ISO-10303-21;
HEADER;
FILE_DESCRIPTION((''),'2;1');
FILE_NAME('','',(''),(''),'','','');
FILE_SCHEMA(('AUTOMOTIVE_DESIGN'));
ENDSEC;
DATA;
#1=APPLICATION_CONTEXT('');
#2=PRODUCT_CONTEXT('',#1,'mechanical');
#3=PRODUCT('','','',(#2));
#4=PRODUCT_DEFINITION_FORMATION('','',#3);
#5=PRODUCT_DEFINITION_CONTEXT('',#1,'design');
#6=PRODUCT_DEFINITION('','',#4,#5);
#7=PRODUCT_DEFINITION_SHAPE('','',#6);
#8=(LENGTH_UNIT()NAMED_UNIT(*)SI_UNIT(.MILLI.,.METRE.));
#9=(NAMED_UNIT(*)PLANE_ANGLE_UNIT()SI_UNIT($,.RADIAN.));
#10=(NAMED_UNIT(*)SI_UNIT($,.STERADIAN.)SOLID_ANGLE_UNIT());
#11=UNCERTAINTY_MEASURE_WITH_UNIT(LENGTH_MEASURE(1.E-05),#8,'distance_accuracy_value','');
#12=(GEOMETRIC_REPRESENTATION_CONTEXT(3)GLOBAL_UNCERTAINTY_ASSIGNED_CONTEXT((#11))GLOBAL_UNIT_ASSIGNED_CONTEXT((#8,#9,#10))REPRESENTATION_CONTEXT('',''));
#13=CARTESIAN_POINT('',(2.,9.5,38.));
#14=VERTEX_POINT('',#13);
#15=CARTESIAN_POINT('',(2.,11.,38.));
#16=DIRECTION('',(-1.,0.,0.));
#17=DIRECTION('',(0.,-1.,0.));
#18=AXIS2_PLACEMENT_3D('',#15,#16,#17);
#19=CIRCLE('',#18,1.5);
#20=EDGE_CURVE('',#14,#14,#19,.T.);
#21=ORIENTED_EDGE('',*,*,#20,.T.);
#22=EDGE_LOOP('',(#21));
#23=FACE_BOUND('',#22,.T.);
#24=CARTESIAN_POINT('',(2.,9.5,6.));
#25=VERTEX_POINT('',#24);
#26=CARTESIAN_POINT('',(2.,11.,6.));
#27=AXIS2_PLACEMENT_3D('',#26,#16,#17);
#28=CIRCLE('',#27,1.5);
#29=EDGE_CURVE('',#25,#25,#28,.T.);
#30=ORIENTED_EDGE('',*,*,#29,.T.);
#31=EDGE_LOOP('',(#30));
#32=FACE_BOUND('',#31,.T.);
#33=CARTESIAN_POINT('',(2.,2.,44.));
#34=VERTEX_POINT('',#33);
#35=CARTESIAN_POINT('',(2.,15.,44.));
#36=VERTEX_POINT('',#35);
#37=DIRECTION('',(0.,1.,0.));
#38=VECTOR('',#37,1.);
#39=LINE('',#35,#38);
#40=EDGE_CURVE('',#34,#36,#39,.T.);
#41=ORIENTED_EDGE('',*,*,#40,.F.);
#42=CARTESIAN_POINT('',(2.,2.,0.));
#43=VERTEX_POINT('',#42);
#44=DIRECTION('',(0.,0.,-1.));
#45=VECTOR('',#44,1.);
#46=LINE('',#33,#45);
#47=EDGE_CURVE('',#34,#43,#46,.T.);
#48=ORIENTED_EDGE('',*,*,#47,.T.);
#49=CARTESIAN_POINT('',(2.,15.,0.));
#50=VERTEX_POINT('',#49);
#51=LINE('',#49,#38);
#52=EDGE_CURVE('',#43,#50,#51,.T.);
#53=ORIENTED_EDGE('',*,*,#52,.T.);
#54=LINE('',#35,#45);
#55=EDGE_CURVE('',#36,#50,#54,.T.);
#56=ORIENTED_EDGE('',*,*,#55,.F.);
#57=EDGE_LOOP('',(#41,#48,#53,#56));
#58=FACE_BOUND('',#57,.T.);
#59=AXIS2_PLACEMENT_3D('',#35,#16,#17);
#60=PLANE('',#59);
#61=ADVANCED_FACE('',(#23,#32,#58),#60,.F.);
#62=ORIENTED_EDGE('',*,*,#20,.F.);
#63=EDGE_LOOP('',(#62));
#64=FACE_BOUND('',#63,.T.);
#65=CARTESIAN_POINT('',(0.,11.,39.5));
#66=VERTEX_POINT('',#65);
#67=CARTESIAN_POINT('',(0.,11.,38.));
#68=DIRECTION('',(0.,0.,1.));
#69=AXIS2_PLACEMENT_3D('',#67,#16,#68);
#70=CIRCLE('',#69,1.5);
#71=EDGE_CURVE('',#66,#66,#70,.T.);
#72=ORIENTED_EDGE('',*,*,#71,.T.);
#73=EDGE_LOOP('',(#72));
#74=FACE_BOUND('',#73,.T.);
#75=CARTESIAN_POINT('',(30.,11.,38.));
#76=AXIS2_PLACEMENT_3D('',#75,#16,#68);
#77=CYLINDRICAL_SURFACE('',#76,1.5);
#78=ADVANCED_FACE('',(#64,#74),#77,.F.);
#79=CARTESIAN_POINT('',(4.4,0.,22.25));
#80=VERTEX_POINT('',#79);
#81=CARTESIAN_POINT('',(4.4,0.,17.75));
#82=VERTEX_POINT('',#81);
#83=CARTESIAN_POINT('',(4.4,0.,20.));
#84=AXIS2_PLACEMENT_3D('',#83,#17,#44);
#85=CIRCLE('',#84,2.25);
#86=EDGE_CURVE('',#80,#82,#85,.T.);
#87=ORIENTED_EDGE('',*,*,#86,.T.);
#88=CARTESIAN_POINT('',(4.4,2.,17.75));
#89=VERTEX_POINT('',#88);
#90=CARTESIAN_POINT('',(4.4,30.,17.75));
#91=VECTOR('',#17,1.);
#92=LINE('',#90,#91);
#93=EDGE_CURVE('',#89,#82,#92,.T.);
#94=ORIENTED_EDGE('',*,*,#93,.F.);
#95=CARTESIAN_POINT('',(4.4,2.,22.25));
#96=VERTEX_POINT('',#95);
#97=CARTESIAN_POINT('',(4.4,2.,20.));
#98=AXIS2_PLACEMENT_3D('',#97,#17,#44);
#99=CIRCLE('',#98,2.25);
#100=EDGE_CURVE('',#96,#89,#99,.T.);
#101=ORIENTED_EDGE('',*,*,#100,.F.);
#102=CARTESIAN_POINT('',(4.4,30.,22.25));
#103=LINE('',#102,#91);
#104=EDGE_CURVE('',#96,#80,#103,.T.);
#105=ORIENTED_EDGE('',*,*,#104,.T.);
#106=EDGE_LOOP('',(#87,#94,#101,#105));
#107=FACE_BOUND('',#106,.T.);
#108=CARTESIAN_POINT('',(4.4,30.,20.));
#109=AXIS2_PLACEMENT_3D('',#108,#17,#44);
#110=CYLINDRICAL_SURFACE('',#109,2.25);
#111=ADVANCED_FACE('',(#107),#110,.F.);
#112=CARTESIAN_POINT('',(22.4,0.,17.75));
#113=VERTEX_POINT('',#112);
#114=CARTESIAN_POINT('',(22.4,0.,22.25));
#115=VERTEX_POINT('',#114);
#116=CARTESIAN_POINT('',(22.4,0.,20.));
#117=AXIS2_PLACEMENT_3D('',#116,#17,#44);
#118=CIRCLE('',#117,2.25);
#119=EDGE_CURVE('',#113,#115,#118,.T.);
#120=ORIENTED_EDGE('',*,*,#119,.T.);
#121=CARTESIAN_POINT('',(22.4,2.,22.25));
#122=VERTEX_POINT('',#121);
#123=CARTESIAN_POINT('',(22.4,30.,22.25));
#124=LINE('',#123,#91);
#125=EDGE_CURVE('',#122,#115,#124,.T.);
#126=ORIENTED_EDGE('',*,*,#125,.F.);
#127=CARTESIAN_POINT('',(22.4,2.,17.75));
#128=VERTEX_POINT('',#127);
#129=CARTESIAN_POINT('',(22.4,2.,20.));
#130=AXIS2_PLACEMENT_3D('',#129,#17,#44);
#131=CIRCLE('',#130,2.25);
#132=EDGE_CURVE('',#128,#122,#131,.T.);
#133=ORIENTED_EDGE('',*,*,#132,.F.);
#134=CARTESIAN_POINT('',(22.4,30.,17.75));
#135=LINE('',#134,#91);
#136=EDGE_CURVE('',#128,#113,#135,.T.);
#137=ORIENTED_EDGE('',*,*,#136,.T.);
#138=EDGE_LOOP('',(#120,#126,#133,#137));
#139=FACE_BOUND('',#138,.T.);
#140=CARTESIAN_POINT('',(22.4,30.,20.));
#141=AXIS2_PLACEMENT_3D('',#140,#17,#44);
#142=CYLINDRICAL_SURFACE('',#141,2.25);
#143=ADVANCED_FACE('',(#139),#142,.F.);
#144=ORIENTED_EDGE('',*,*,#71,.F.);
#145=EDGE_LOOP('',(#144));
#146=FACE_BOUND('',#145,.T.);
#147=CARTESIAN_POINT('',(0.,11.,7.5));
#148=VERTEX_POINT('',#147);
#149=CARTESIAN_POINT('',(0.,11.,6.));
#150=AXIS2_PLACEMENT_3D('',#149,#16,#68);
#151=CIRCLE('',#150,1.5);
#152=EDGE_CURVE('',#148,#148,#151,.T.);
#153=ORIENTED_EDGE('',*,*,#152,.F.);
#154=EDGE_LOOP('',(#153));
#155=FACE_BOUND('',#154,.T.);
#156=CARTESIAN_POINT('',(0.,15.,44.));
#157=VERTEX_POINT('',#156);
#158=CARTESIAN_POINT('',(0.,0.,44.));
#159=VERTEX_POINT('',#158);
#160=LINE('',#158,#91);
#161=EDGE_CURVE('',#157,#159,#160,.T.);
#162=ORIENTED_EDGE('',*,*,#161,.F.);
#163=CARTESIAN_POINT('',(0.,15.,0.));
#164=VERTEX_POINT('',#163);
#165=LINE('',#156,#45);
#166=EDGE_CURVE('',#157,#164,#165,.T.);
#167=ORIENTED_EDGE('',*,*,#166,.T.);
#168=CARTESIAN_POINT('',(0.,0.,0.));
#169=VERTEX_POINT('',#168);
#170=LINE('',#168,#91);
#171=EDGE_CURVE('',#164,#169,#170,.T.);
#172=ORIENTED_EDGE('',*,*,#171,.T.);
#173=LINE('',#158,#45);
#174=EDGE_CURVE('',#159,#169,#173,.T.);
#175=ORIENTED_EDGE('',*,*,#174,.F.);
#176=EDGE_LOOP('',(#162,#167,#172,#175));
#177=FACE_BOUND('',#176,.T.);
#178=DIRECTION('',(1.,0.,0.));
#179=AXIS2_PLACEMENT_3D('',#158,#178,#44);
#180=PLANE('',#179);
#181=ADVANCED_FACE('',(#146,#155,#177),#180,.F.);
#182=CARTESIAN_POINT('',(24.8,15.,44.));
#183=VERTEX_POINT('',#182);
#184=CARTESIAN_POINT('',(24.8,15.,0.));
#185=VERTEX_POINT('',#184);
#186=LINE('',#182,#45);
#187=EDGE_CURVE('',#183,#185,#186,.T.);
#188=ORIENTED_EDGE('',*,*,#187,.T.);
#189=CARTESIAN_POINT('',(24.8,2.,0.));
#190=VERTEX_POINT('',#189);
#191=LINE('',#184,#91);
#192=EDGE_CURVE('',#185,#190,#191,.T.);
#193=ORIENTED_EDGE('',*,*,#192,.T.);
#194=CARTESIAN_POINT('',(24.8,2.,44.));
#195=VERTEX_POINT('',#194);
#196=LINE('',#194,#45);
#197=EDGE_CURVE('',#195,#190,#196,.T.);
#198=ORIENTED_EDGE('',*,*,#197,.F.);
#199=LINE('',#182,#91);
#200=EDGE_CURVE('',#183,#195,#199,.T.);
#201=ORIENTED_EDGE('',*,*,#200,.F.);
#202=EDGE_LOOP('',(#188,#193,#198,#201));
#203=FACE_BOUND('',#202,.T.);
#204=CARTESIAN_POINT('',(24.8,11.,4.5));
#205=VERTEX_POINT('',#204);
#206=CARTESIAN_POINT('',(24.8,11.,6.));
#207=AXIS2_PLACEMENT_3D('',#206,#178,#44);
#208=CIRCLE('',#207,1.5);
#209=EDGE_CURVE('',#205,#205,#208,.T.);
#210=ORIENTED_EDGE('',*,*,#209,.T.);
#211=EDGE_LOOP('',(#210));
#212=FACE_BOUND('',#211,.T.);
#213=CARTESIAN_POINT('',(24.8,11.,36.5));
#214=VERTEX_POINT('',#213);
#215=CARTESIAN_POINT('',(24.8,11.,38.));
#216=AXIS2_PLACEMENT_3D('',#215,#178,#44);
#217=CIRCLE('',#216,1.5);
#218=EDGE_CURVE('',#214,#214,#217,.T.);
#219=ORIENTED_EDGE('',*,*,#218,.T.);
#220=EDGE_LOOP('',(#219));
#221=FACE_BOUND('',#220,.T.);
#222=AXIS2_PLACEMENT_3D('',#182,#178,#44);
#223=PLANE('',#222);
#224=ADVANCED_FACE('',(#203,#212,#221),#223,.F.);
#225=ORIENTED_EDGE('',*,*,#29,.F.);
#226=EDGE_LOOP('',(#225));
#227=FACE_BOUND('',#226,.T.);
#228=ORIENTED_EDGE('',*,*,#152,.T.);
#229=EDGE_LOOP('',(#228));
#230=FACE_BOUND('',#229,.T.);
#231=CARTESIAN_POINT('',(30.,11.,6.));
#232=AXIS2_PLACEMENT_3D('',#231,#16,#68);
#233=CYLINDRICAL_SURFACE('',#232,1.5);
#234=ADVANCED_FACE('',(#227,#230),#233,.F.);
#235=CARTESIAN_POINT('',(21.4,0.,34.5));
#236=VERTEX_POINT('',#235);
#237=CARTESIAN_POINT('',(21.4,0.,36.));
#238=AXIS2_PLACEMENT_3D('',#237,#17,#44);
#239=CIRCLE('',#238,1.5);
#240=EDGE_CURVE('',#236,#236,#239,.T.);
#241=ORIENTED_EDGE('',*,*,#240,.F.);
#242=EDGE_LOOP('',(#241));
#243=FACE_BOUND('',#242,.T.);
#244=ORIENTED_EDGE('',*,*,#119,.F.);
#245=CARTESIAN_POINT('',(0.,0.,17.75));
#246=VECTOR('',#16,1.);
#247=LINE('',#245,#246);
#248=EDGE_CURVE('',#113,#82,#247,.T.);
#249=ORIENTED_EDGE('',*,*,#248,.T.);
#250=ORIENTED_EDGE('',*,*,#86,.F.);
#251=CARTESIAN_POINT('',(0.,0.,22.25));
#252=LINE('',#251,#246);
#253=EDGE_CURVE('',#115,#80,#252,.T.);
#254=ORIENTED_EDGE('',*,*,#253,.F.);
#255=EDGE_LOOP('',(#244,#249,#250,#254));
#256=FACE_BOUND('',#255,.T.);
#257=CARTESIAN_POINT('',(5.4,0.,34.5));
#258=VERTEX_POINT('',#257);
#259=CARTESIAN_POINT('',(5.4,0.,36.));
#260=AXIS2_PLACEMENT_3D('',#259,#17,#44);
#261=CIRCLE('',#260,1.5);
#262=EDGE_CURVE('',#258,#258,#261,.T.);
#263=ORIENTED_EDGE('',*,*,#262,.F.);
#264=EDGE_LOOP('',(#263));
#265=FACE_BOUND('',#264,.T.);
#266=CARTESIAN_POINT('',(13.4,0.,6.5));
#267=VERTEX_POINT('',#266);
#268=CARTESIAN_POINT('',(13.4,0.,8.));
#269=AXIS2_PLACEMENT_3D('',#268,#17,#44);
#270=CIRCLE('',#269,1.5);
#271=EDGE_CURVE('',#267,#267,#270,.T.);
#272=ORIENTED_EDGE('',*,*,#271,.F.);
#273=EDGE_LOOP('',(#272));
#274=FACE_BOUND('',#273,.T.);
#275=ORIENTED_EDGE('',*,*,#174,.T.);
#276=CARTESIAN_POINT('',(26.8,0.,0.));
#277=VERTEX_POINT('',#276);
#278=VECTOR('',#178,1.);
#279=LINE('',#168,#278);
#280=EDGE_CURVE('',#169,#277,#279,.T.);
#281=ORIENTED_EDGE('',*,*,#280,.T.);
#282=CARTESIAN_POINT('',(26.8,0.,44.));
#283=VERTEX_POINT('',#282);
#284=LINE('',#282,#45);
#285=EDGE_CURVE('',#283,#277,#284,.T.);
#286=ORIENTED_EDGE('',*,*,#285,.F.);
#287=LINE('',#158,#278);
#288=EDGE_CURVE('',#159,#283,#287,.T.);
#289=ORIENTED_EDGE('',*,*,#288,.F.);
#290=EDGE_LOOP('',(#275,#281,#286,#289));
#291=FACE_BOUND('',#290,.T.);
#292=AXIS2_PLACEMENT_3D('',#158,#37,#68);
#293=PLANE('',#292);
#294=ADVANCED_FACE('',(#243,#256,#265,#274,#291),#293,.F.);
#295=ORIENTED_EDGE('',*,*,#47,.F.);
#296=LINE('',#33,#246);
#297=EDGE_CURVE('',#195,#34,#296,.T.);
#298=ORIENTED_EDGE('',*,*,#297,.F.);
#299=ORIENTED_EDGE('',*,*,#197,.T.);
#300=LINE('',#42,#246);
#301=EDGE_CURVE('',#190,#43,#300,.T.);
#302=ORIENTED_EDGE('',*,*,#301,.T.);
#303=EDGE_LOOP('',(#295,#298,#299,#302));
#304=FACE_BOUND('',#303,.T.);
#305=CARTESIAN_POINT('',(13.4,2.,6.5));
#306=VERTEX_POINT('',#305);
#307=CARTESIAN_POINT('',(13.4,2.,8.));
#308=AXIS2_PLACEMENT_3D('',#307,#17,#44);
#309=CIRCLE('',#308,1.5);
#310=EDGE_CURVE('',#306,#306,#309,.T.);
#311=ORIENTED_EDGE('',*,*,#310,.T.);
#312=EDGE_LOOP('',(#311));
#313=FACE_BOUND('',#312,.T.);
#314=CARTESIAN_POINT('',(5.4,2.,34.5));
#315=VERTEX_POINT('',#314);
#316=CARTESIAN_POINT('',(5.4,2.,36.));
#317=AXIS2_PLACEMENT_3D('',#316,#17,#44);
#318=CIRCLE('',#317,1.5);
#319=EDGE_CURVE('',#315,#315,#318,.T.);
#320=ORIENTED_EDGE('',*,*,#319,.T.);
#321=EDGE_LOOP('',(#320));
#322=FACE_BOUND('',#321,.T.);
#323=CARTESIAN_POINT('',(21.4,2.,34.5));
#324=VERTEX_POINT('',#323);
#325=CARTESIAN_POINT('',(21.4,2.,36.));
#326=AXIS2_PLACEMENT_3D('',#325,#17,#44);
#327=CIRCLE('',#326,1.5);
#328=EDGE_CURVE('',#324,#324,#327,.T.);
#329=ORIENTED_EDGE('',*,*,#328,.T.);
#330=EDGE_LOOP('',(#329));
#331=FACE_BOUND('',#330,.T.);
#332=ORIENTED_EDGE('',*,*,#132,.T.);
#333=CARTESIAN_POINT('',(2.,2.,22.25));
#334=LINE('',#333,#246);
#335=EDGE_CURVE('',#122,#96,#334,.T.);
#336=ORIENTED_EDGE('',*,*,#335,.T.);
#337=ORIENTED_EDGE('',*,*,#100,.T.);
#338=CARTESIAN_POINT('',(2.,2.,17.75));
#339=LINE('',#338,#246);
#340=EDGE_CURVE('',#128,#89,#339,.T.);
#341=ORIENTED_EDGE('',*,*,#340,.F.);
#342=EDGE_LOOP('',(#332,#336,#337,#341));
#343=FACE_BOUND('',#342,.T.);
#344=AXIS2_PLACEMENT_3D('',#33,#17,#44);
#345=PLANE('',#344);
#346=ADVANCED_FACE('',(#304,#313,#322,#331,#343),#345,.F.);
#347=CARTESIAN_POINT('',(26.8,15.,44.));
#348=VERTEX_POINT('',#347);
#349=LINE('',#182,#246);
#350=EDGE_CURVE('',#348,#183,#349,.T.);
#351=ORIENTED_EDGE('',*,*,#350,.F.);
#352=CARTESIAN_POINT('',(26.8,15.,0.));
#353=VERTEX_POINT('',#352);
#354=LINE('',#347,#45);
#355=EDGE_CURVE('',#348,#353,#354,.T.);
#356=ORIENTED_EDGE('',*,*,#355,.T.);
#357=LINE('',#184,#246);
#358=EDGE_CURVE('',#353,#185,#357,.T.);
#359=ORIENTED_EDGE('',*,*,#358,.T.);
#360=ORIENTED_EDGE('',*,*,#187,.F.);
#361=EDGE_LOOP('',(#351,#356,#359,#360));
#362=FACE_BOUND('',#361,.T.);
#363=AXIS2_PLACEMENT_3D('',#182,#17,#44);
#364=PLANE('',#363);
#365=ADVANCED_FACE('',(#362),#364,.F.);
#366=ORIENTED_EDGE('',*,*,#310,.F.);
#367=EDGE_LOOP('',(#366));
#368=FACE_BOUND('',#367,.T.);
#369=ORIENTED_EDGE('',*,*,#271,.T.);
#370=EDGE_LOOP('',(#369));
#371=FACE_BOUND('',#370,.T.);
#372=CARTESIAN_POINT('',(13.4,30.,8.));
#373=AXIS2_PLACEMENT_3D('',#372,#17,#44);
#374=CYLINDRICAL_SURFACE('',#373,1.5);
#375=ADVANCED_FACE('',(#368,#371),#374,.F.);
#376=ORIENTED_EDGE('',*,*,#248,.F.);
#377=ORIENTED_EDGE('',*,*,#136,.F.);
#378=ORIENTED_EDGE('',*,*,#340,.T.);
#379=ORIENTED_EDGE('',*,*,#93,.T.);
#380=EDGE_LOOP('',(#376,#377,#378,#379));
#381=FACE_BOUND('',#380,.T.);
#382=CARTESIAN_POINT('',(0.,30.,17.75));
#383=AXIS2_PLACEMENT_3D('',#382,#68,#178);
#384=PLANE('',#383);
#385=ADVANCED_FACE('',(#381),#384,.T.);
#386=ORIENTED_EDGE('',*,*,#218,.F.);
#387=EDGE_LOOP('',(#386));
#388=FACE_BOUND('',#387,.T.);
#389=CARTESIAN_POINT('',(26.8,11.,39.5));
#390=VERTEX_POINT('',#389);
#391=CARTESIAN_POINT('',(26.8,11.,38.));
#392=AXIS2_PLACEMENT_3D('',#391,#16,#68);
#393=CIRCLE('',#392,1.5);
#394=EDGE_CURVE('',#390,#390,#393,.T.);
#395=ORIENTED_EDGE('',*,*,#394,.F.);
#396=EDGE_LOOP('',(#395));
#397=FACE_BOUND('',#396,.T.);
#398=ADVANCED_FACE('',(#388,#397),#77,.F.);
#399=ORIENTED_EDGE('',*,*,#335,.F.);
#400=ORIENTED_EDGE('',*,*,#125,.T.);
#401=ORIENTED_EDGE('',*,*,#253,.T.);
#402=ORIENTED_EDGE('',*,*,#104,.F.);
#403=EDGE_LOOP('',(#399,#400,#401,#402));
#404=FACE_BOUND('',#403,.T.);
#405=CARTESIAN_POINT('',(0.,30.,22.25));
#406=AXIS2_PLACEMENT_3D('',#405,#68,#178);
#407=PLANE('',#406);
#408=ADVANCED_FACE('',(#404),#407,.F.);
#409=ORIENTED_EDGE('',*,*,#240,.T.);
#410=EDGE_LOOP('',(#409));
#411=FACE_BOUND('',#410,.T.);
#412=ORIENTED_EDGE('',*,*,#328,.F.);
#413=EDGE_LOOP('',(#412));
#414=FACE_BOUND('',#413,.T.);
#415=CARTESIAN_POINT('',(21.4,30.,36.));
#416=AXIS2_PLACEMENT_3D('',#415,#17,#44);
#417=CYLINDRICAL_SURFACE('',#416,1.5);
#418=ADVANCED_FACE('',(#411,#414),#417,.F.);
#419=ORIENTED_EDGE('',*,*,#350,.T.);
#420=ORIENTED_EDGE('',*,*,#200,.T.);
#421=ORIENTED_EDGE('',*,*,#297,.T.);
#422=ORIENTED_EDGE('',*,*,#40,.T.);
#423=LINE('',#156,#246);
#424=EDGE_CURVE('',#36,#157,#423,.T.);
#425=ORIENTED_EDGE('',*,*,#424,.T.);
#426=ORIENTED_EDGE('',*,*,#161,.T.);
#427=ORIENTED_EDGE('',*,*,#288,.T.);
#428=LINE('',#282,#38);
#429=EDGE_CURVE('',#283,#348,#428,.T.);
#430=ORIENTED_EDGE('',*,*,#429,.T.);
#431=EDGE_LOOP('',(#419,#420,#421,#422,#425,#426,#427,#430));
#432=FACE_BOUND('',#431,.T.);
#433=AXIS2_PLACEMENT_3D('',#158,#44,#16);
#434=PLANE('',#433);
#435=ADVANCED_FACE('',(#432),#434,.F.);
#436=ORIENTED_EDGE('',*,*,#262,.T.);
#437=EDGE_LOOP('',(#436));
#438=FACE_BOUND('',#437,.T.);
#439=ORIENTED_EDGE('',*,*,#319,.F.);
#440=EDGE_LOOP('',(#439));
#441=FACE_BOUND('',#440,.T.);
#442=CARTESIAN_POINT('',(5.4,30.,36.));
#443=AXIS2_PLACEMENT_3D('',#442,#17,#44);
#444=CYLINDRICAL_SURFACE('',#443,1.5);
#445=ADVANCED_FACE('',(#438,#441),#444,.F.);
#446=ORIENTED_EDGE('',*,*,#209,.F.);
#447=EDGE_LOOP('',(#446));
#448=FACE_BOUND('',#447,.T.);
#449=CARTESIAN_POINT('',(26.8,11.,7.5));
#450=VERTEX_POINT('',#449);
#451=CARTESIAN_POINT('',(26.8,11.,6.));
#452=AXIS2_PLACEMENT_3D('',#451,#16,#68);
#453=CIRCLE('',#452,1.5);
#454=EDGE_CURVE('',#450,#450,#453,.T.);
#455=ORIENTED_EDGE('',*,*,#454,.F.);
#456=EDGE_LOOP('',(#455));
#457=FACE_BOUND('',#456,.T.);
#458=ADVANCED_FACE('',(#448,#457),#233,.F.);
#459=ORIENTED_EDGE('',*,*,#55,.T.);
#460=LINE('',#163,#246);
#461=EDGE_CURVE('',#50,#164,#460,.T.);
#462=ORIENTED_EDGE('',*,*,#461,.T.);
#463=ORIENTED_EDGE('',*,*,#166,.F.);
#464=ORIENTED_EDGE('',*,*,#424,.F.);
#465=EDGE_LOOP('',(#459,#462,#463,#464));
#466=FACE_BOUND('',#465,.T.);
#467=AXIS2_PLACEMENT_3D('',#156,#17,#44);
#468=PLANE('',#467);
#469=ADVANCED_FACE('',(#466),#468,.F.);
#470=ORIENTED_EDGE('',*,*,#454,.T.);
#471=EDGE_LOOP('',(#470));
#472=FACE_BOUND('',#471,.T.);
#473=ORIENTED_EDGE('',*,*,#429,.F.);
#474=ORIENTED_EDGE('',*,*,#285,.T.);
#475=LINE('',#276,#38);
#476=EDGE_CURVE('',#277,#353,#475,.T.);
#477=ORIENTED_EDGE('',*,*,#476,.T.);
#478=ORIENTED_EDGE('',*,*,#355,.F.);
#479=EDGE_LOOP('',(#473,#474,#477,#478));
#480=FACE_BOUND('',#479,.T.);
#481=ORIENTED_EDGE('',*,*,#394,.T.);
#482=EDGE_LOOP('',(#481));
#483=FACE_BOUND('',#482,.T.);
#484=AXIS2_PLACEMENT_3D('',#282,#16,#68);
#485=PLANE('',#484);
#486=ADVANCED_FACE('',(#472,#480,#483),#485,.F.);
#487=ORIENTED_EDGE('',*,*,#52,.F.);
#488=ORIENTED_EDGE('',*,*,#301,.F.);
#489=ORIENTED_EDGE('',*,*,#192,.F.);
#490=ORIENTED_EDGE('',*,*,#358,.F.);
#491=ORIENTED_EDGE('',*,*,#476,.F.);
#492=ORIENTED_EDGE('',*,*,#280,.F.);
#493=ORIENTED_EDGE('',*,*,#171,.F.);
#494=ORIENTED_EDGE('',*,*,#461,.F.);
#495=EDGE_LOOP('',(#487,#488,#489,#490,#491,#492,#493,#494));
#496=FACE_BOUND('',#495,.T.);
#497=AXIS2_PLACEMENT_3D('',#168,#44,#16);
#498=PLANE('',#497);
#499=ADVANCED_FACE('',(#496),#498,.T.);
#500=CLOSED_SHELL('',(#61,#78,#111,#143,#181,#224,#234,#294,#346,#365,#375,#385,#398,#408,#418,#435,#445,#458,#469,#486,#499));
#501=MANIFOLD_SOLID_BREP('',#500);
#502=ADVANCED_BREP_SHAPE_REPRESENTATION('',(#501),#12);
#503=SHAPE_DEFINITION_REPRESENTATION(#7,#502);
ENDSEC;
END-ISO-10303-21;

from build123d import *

# Parameters (mm, degrees)
BOSS_EXTRUDE1_DEPTH = 44
SKETCH3_R           = 1.5
CUT_EXTRUDE1_DEPTH  = 30
SKETCH4_R           = 1.5
CUT_EXTRUDE2_DEPTH  = 30


with BuildPart() as part:
    # Sketch2 → Boss-Extrude1 (new body)
    with BuildSketch(Plane.XY):
        Polygon((24.8, 15), (26.8, 15), (26.8, 0), (0, 0), (0, 15), (2, 15), (2, 2), (24.8, 2), align=None)
    extrude(amount=BOSS_EXTRUDE1_DEPTH)

    # Sketch3 → Cut-Extrude1 (cut)
    with BuildSketch(Plane.XZ):
        with Locations(Location((21.4, 36, 0), (0, 0, 270))):
            Circle(SKETCH3_R)
        with Locations(Location((13.4, 8, 0), (0, 0, 270))):
            Circle(SKETCH3_R)
        with Locations(Location((5.4, 36, 0), (0, 0, 270))):
            Circle(SKETCH3_R)
        with BuildLine():
            Line((22.4, 17.75), (4.4, 17.75))
            ThreePointArc((4.4, 17.75), (2.15, 20), (4.4, 22.25))
            Line((4.4, 22.25), (22.4, 22.25))
            ThreePointArc((22.4, 22.25), (24.65, 20), (22.4, 17.75))
        make_face()
    extrude(amount=-CUT_EXTRUDE1_DEPTH, mode=Mode.SUBTRACT)

    # Sketch4 → Cut-Extrude2 (cut)
    with BuildSketch(Plane.ZY):
        with Locations((6, 11)):
            Circle(SKETCH4_R)
        with Locations((38, 11)):
            Circle(SKETCH4_R)
    extrude(amount=-CUT_EXTRUDE2_DEPTH, mode=Mode.SUBTRACT)


solid = part.part
